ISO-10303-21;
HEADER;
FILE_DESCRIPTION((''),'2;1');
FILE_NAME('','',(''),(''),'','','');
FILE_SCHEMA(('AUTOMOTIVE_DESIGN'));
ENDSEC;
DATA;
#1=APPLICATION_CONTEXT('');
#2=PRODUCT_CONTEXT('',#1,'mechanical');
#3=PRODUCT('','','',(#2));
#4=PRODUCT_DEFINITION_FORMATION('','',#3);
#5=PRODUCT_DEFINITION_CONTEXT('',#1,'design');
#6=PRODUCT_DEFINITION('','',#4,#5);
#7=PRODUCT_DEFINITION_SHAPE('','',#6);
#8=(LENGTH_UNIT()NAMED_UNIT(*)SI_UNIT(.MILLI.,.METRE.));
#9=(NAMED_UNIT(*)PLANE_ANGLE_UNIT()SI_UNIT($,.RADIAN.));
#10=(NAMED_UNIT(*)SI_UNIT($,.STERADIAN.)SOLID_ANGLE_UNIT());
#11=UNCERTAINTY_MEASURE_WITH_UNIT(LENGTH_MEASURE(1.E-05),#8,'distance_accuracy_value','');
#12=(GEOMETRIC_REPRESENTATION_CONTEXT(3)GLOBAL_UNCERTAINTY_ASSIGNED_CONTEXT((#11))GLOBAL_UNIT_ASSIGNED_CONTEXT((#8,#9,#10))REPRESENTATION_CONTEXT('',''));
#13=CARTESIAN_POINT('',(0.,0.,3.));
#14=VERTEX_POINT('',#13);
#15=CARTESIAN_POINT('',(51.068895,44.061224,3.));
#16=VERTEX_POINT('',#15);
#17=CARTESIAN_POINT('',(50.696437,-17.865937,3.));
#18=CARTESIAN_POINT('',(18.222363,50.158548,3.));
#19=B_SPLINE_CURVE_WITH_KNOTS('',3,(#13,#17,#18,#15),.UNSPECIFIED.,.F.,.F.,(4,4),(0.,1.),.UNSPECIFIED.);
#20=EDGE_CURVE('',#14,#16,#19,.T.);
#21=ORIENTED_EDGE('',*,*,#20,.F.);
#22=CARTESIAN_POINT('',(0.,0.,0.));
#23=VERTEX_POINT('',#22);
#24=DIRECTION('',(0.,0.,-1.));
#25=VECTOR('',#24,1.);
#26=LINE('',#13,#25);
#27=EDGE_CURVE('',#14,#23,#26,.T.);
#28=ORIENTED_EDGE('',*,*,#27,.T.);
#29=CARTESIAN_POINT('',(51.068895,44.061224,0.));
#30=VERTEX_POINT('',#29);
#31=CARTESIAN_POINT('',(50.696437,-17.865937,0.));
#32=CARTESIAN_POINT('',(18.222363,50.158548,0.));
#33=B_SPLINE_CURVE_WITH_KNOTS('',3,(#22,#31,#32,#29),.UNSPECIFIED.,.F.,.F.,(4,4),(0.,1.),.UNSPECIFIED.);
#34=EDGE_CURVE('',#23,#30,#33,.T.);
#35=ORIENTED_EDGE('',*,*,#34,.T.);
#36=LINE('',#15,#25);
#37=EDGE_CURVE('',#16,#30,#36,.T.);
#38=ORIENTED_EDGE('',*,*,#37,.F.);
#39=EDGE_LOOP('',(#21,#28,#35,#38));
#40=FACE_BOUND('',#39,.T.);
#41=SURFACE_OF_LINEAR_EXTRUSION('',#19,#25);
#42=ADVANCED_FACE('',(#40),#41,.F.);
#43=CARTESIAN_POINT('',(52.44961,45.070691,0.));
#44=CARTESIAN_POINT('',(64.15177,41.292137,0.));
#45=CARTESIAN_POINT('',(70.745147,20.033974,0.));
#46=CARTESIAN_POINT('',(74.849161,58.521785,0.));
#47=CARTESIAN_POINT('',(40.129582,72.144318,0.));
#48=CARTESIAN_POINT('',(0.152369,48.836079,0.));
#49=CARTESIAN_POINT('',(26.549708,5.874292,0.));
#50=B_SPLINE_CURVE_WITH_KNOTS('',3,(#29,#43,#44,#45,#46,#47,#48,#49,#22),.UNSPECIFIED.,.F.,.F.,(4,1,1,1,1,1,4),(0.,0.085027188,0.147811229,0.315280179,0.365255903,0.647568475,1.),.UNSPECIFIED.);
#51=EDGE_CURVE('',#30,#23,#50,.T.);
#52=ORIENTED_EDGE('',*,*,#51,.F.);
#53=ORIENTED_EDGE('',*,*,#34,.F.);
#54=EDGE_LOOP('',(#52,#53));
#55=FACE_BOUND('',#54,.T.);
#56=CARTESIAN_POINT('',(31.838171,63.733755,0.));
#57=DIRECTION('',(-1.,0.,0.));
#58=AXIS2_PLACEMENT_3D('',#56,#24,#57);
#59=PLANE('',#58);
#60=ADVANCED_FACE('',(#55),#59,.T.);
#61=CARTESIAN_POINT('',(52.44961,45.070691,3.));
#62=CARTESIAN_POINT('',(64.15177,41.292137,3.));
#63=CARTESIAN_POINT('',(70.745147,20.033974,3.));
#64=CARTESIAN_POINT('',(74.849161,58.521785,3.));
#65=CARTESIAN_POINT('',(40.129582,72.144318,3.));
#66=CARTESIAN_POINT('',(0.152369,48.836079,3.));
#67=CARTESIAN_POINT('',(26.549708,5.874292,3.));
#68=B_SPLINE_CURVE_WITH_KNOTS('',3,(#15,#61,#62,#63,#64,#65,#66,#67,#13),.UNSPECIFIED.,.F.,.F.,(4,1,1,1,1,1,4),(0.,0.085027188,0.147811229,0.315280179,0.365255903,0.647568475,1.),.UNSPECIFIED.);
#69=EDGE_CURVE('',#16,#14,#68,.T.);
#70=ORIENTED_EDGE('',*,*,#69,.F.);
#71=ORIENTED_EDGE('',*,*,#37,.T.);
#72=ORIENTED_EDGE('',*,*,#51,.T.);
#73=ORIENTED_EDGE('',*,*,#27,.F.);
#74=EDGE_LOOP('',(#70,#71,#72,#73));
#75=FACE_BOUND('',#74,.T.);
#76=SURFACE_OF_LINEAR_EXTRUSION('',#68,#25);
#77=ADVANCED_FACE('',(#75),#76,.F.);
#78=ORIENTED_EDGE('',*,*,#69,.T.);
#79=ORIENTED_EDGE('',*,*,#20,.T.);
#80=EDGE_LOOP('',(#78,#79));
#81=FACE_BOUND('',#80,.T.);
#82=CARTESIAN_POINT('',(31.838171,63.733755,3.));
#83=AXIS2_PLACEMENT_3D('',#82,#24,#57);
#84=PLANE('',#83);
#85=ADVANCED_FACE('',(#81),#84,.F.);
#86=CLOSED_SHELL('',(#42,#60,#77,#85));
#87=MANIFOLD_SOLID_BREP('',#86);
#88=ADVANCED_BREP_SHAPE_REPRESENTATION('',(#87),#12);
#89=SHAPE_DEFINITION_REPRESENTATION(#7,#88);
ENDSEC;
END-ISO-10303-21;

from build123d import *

# Parameters (mm, degrees)
SALIENTE_EXTRUIR1_DEPTH = 3


with BuildPart() as part:
    # Croquis1 → Saliente-Extruir1 (new body)
    with BuildSketch(Plane.XY):
        with BuildLine():
            add(Edge.make_bspline(
                [(0, 0), (50.696437465, -17.865936521), (18.222363292, 50.158548268), (51.06889469, 44.06122449)],
                knots=[0, 0, 0, 0, 1, 1, 1, 1], degree=3))
            add(Edge.make_bspline(
                [(0, 0), (26.549708119, 5.874291873), (0.152368527, 48.836079058), (40.129582463, 72.144318359), (74.849161224, 58.521784811), (70.745146913, 20.033974167), (64.151770383, 41.292136834), (52.449610492, 45.07069114), (51.06889469, 44.06122449)],
                knots=[0, 0, 0, 0, 0.352431525, 0.634744097, 0.684719821, 0.852188771, 0.914972812, 1, 1, 1, 1], degree=3))
        make_face()
    extrude(amount=SALIENTE_EXTRUIR1_DEPTH)


solid = part.part
